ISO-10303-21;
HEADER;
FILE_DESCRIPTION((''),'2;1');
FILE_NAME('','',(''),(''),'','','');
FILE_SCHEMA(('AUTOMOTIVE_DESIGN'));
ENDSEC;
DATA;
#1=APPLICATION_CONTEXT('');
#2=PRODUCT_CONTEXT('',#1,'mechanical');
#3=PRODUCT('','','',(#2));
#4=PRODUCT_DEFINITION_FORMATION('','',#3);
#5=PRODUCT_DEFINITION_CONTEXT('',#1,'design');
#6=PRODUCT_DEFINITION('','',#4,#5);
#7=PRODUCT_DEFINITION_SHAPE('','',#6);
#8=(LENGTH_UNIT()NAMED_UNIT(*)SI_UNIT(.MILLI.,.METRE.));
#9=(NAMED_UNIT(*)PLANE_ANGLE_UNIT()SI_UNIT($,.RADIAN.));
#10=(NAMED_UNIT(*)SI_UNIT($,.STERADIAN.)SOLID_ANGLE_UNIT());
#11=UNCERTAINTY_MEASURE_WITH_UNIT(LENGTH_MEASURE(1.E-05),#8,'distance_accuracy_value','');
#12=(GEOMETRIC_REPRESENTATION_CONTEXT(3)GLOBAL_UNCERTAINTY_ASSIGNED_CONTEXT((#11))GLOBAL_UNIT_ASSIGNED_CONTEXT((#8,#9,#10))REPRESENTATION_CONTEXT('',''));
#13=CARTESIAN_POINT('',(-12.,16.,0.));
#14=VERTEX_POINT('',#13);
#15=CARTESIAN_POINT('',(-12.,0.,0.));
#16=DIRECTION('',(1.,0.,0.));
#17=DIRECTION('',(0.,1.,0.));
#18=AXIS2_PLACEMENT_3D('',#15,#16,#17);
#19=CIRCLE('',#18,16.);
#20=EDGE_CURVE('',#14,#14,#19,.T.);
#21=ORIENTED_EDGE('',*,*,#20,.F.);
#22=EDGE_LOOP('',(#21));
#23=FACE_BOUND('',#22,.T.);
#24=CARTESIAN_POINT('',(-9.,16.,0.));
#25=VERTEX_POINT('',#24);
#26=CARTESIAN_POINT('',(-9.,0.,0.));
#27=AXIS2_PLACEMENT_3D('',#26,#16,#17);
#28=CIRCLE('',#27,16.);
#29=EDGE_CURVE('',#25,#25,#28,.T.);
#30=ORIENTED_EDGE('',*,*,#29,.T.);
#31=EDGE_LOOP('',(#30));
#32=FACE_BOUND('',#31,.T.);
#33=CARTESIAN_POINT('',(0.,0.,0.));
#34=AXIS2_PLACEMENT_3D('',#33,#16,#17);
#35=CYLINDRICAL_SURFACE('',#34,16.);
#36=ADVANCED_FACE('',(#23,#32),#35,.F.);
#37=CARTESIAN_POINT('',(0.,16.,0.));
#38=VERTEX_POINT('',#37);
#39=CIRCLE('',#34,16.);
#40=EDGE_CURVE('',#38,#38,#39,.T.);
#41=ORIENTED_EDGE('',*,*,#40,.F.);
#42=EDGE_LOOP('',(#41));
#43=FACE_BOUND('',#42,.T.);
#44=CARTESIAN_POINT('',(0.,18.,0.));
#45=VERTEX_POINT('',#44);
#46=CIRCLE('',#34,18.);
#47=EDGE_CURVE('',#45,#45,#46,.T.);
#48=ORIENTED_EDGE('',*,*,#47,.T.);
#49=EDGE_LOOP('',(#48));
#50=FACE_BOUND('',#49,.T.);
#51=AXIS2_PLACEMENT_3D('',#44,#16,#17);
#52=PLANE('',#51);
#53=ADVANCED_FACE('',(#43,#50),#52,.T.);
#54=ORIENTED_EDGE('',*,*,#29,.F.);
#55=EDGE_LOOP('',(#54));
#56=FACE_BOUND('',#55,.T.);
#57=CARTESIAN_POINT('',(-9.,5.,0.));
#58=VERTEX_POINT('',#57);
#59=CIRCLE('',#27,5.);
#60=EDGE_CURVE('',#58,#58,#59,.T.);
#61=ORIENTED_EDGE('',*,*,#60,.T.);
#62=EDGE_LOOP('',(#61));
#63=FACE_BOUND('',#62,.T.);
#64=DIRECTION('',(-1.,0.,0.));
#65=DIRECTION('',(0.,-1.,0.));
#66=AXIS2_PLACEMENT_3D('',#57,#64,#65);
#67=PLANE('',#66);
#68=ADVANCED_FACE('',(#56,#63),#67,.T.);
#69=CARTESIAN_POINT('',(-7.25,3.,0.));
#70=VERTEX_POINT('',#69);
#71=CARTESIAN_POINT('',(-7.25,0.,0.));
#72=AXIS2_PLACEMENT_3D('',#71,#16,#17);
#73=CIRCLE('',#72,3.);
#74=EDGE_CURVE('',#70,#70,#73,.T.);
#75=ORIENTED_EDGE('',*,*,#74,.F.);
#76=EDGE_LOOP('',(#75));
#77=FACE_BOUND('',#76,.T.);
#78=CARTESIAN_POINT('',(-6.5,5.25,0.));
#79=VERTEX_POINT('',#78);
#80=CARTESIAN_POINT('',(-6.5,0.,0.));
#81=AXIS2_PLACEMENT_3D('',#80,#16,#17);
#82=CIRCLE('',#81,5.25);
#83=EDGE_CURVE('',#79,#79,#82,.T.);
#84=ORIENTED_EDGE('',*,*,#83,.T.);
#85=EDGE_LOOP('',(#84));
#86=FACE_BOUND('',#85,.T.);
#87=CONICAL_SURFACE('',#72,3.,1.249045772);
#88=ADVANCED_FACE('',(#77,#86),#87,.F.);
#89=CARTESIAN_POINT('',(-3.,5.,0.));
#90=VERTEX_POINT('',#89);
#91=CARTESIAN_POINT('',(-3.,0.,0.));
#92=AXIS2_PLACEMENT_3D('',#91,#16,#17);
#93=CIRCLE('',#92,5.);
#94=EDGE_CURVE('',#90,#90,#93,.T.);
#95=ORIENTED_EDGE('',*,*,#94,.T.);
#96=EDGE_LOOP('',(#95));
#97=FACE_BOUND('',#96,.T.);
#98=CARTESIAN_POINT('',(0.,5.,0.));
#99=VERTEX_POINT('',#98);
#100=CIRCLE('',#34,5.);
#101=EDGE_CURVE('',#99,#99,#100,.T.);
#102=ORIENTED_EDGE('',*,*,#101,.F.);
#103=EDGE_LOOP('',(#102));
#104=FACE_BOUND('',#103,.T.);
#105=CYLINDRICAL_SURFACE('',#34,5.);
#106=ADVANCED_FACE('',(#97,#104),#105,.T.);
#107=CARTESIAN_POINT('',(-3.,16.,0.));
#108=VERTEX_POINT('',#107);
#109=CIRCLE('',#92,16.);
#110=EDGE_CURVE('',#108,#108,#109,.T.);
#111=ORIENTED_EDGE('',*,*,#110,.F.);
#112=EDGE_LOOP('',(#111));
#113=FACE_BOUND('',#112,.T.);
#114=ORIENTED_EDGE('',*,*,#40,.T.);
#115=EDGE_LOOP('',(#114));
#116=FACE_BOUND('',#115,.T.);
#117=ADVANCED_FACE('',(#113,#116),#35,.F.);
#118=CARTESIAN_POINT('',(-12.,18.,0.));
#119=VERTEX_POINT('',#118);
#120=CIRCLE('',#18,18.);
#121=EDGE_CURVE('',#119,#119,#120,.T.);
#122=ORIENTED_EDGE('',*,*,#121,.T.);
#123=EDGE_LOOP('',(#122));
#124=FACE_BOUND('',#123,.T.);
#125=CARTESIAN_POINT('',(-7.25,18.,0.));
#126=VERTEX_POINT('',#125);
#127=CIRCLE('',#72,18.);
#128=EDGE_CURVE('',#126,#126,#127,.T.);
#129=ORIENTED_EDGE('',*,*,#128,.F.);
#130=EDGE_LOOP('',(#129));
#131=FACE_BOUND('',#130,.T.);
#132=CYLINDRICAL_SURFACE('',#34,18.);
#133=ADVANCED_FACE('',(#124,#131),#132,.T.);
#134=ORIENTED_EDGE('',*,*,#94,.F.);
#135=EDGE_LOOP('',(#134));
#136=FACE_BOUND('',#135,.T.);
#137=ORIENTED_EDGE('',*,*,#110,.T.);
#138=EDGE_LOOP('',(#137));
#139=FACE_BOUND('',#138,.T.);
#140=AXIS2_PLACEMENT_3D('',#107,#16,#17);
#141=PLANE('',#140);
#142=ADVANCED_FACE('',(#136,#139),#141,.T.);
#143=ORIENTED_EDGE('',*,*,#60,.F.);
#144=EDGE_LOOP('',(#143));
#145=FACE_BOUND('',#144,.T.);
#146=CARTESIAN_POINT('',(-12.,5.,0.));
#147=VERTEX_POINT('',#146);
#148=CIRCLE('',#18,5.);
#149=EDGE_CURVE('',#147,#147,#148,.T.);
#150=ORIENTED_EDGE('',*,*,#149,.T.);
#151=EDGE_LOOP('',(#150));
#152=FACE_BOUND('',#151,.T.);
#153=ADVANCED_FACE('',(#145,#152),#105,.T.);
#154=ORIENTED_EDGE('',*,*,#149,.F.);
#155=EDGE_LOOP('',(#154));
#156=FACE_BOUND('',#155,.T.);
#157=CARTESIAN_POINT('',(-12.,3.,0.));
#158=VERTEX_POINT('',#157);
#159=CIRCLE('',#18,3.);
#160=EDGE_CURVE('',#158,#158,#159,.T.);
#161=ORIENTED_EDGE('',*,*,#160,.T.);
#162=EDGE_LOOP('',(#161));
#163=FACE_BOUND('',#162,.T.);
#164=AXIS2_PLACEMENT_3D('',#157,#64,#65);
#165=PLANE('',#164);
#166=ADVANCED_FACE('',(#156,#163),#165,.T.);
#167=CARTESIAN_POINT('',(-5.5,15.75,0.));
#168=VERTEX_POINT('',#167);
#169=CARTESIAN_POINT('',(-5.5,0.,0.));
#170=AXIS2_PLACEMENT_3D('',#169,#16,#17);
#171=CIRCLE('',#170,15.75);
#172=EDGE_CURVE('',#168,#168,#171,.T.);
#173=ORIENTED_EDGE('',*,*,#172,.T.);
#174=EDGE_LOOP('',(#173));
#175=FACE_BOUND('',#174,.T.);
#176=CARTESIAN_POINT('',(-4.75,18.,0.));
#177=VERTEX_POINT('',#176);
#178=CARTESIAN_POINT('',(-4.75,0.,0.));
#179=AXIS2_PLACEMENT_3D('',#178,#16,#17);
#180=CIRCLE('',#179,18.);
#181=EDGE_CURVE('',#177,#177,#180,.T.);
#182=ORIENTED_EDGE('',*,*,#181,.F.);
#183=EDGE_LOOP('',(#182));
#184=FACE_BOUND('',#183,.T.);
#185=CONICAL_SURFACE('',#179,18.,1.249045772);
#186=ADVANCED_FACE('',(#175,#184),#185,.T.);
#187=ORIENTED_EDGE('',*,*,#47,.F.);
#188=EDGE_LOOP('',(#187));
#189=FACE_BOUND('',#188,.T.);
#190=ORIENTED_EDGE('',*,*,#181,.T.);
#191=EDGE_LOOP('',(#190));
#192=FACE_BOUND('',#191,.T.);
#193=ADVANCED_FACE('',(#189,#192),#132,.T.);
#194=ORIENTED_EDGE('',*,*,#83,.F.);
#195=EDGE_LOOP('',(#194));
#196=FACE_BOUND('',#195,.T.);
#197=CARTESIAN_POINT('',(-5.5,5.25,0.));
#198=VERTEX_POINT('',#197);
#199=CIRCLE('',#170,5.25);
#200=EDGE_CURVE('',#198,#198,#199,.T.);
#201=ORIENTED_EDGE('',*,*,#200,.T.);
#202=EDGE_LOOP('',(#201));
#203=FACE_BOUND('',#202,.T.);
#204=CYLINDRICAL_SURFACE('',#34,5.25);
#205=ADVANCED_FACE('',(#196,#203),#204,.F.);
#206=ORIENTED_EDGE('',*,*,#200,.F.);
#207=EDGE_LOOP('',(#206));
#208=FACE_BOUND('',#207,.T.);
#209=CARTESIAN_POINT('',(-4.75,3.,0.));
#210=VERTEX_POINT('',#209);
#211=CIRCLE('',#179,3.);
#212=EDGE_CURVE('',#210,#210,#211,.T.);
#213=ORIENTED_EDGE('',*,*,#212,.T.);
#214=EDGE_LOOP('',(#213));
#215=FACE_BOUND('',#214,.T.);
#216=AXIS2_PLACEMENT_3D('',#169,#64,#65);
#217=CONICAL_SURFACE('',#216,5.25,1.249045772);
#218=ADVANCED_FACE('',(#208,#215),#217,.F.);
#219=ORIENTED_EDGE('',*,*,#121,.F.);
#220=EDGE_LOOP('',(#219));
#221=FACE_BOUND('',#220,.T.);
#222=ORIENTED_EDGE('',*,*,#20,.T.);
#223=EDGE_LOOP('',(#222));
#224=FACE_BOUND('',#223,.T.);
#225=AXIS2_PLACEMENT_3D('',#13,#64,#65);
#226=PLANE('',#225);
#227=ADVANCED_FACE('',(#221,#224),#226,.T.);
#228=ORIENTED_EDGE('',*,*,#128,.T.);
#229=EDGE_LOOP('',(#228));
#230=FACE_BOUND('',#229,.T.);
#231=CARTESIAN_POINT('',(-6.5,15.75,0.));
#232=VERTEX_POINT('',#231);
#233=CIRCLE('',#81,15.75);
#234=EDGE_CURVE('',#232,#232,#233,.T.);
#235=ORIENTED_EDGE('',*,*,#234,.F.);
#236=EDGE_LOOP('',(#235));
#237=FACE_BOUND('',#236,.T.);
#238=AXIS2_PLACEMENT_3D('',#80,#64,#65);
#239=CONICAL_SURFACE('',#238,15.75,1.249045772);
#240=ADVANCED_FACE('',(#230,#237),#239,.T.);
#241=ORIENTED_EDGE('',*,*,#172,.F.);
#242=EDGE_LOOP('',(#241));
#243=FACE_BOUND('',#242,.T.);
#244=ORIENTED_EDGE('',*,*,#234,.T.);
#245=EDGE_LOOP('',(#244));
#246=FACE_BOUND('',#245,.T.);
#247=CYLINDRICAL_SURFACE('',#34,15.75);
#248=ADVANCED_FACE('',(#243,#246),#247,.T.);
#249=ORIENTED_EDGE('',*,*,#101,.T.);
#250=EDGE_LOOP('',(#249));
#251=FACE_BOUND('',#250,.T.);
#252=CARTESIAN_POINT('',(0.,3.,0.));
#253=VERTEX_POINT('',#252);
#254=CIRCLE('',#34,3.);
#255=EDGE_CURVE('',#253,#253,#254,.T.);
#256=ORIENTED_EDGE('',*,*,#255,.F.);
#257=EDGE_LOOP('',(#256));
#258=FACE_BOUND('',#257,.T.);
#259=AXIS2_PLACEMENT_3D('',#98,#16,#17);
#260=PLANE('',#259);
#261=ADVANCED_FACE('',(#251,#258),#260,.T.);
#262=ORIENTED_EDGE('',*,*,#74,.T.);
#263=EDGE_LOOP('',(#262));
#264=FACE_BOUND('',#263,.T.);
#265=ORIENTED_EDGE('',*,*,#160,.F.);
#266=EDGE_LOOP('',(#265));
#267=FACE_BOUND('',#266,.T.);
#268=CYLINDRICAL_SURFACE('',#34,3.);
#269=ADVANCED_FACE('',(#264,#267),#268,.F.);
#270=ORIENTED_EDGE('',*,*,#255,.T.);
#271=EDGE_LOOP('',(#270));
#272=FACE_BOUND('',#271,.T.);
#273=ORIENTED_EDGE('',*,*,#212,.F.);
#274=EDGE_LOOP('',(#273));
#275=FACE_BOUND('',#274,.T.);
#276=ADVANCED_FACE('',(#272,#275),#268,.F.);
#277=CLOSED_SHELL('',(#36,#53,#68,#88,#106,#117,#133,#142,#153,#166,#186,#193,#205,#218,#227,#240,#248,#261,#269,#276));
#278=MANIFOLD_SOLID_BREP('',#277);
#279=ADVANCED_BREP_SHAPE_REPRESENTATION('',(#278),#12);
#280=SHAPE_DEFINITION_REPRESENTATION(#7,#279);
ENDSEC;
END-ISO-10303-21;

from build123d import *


with BuildPart() as part:
    # Croquis1 → Revolución1 (revolve)
    with BuildSketch(Plane.XY):
        Polygon((0, 3), (-4.75, 3), (-5.5, 5.25), (-6.5, 5.25), (-7.25, 3), (-12, 3), (-12, 5), (-9, 5), (-9, 16), (-12, 16), (-12, 18), (-7.25, 18), (-6.5, 15.75), (-5.5, 15.75), (-4.75, 18), (0, 18), (0, 16), (-3, 16), (-3, 5), (0, 5), align=None)
    revolve(axis=Axis((0, 0, 0), (-1, 0, 0)))


solid = part.part
